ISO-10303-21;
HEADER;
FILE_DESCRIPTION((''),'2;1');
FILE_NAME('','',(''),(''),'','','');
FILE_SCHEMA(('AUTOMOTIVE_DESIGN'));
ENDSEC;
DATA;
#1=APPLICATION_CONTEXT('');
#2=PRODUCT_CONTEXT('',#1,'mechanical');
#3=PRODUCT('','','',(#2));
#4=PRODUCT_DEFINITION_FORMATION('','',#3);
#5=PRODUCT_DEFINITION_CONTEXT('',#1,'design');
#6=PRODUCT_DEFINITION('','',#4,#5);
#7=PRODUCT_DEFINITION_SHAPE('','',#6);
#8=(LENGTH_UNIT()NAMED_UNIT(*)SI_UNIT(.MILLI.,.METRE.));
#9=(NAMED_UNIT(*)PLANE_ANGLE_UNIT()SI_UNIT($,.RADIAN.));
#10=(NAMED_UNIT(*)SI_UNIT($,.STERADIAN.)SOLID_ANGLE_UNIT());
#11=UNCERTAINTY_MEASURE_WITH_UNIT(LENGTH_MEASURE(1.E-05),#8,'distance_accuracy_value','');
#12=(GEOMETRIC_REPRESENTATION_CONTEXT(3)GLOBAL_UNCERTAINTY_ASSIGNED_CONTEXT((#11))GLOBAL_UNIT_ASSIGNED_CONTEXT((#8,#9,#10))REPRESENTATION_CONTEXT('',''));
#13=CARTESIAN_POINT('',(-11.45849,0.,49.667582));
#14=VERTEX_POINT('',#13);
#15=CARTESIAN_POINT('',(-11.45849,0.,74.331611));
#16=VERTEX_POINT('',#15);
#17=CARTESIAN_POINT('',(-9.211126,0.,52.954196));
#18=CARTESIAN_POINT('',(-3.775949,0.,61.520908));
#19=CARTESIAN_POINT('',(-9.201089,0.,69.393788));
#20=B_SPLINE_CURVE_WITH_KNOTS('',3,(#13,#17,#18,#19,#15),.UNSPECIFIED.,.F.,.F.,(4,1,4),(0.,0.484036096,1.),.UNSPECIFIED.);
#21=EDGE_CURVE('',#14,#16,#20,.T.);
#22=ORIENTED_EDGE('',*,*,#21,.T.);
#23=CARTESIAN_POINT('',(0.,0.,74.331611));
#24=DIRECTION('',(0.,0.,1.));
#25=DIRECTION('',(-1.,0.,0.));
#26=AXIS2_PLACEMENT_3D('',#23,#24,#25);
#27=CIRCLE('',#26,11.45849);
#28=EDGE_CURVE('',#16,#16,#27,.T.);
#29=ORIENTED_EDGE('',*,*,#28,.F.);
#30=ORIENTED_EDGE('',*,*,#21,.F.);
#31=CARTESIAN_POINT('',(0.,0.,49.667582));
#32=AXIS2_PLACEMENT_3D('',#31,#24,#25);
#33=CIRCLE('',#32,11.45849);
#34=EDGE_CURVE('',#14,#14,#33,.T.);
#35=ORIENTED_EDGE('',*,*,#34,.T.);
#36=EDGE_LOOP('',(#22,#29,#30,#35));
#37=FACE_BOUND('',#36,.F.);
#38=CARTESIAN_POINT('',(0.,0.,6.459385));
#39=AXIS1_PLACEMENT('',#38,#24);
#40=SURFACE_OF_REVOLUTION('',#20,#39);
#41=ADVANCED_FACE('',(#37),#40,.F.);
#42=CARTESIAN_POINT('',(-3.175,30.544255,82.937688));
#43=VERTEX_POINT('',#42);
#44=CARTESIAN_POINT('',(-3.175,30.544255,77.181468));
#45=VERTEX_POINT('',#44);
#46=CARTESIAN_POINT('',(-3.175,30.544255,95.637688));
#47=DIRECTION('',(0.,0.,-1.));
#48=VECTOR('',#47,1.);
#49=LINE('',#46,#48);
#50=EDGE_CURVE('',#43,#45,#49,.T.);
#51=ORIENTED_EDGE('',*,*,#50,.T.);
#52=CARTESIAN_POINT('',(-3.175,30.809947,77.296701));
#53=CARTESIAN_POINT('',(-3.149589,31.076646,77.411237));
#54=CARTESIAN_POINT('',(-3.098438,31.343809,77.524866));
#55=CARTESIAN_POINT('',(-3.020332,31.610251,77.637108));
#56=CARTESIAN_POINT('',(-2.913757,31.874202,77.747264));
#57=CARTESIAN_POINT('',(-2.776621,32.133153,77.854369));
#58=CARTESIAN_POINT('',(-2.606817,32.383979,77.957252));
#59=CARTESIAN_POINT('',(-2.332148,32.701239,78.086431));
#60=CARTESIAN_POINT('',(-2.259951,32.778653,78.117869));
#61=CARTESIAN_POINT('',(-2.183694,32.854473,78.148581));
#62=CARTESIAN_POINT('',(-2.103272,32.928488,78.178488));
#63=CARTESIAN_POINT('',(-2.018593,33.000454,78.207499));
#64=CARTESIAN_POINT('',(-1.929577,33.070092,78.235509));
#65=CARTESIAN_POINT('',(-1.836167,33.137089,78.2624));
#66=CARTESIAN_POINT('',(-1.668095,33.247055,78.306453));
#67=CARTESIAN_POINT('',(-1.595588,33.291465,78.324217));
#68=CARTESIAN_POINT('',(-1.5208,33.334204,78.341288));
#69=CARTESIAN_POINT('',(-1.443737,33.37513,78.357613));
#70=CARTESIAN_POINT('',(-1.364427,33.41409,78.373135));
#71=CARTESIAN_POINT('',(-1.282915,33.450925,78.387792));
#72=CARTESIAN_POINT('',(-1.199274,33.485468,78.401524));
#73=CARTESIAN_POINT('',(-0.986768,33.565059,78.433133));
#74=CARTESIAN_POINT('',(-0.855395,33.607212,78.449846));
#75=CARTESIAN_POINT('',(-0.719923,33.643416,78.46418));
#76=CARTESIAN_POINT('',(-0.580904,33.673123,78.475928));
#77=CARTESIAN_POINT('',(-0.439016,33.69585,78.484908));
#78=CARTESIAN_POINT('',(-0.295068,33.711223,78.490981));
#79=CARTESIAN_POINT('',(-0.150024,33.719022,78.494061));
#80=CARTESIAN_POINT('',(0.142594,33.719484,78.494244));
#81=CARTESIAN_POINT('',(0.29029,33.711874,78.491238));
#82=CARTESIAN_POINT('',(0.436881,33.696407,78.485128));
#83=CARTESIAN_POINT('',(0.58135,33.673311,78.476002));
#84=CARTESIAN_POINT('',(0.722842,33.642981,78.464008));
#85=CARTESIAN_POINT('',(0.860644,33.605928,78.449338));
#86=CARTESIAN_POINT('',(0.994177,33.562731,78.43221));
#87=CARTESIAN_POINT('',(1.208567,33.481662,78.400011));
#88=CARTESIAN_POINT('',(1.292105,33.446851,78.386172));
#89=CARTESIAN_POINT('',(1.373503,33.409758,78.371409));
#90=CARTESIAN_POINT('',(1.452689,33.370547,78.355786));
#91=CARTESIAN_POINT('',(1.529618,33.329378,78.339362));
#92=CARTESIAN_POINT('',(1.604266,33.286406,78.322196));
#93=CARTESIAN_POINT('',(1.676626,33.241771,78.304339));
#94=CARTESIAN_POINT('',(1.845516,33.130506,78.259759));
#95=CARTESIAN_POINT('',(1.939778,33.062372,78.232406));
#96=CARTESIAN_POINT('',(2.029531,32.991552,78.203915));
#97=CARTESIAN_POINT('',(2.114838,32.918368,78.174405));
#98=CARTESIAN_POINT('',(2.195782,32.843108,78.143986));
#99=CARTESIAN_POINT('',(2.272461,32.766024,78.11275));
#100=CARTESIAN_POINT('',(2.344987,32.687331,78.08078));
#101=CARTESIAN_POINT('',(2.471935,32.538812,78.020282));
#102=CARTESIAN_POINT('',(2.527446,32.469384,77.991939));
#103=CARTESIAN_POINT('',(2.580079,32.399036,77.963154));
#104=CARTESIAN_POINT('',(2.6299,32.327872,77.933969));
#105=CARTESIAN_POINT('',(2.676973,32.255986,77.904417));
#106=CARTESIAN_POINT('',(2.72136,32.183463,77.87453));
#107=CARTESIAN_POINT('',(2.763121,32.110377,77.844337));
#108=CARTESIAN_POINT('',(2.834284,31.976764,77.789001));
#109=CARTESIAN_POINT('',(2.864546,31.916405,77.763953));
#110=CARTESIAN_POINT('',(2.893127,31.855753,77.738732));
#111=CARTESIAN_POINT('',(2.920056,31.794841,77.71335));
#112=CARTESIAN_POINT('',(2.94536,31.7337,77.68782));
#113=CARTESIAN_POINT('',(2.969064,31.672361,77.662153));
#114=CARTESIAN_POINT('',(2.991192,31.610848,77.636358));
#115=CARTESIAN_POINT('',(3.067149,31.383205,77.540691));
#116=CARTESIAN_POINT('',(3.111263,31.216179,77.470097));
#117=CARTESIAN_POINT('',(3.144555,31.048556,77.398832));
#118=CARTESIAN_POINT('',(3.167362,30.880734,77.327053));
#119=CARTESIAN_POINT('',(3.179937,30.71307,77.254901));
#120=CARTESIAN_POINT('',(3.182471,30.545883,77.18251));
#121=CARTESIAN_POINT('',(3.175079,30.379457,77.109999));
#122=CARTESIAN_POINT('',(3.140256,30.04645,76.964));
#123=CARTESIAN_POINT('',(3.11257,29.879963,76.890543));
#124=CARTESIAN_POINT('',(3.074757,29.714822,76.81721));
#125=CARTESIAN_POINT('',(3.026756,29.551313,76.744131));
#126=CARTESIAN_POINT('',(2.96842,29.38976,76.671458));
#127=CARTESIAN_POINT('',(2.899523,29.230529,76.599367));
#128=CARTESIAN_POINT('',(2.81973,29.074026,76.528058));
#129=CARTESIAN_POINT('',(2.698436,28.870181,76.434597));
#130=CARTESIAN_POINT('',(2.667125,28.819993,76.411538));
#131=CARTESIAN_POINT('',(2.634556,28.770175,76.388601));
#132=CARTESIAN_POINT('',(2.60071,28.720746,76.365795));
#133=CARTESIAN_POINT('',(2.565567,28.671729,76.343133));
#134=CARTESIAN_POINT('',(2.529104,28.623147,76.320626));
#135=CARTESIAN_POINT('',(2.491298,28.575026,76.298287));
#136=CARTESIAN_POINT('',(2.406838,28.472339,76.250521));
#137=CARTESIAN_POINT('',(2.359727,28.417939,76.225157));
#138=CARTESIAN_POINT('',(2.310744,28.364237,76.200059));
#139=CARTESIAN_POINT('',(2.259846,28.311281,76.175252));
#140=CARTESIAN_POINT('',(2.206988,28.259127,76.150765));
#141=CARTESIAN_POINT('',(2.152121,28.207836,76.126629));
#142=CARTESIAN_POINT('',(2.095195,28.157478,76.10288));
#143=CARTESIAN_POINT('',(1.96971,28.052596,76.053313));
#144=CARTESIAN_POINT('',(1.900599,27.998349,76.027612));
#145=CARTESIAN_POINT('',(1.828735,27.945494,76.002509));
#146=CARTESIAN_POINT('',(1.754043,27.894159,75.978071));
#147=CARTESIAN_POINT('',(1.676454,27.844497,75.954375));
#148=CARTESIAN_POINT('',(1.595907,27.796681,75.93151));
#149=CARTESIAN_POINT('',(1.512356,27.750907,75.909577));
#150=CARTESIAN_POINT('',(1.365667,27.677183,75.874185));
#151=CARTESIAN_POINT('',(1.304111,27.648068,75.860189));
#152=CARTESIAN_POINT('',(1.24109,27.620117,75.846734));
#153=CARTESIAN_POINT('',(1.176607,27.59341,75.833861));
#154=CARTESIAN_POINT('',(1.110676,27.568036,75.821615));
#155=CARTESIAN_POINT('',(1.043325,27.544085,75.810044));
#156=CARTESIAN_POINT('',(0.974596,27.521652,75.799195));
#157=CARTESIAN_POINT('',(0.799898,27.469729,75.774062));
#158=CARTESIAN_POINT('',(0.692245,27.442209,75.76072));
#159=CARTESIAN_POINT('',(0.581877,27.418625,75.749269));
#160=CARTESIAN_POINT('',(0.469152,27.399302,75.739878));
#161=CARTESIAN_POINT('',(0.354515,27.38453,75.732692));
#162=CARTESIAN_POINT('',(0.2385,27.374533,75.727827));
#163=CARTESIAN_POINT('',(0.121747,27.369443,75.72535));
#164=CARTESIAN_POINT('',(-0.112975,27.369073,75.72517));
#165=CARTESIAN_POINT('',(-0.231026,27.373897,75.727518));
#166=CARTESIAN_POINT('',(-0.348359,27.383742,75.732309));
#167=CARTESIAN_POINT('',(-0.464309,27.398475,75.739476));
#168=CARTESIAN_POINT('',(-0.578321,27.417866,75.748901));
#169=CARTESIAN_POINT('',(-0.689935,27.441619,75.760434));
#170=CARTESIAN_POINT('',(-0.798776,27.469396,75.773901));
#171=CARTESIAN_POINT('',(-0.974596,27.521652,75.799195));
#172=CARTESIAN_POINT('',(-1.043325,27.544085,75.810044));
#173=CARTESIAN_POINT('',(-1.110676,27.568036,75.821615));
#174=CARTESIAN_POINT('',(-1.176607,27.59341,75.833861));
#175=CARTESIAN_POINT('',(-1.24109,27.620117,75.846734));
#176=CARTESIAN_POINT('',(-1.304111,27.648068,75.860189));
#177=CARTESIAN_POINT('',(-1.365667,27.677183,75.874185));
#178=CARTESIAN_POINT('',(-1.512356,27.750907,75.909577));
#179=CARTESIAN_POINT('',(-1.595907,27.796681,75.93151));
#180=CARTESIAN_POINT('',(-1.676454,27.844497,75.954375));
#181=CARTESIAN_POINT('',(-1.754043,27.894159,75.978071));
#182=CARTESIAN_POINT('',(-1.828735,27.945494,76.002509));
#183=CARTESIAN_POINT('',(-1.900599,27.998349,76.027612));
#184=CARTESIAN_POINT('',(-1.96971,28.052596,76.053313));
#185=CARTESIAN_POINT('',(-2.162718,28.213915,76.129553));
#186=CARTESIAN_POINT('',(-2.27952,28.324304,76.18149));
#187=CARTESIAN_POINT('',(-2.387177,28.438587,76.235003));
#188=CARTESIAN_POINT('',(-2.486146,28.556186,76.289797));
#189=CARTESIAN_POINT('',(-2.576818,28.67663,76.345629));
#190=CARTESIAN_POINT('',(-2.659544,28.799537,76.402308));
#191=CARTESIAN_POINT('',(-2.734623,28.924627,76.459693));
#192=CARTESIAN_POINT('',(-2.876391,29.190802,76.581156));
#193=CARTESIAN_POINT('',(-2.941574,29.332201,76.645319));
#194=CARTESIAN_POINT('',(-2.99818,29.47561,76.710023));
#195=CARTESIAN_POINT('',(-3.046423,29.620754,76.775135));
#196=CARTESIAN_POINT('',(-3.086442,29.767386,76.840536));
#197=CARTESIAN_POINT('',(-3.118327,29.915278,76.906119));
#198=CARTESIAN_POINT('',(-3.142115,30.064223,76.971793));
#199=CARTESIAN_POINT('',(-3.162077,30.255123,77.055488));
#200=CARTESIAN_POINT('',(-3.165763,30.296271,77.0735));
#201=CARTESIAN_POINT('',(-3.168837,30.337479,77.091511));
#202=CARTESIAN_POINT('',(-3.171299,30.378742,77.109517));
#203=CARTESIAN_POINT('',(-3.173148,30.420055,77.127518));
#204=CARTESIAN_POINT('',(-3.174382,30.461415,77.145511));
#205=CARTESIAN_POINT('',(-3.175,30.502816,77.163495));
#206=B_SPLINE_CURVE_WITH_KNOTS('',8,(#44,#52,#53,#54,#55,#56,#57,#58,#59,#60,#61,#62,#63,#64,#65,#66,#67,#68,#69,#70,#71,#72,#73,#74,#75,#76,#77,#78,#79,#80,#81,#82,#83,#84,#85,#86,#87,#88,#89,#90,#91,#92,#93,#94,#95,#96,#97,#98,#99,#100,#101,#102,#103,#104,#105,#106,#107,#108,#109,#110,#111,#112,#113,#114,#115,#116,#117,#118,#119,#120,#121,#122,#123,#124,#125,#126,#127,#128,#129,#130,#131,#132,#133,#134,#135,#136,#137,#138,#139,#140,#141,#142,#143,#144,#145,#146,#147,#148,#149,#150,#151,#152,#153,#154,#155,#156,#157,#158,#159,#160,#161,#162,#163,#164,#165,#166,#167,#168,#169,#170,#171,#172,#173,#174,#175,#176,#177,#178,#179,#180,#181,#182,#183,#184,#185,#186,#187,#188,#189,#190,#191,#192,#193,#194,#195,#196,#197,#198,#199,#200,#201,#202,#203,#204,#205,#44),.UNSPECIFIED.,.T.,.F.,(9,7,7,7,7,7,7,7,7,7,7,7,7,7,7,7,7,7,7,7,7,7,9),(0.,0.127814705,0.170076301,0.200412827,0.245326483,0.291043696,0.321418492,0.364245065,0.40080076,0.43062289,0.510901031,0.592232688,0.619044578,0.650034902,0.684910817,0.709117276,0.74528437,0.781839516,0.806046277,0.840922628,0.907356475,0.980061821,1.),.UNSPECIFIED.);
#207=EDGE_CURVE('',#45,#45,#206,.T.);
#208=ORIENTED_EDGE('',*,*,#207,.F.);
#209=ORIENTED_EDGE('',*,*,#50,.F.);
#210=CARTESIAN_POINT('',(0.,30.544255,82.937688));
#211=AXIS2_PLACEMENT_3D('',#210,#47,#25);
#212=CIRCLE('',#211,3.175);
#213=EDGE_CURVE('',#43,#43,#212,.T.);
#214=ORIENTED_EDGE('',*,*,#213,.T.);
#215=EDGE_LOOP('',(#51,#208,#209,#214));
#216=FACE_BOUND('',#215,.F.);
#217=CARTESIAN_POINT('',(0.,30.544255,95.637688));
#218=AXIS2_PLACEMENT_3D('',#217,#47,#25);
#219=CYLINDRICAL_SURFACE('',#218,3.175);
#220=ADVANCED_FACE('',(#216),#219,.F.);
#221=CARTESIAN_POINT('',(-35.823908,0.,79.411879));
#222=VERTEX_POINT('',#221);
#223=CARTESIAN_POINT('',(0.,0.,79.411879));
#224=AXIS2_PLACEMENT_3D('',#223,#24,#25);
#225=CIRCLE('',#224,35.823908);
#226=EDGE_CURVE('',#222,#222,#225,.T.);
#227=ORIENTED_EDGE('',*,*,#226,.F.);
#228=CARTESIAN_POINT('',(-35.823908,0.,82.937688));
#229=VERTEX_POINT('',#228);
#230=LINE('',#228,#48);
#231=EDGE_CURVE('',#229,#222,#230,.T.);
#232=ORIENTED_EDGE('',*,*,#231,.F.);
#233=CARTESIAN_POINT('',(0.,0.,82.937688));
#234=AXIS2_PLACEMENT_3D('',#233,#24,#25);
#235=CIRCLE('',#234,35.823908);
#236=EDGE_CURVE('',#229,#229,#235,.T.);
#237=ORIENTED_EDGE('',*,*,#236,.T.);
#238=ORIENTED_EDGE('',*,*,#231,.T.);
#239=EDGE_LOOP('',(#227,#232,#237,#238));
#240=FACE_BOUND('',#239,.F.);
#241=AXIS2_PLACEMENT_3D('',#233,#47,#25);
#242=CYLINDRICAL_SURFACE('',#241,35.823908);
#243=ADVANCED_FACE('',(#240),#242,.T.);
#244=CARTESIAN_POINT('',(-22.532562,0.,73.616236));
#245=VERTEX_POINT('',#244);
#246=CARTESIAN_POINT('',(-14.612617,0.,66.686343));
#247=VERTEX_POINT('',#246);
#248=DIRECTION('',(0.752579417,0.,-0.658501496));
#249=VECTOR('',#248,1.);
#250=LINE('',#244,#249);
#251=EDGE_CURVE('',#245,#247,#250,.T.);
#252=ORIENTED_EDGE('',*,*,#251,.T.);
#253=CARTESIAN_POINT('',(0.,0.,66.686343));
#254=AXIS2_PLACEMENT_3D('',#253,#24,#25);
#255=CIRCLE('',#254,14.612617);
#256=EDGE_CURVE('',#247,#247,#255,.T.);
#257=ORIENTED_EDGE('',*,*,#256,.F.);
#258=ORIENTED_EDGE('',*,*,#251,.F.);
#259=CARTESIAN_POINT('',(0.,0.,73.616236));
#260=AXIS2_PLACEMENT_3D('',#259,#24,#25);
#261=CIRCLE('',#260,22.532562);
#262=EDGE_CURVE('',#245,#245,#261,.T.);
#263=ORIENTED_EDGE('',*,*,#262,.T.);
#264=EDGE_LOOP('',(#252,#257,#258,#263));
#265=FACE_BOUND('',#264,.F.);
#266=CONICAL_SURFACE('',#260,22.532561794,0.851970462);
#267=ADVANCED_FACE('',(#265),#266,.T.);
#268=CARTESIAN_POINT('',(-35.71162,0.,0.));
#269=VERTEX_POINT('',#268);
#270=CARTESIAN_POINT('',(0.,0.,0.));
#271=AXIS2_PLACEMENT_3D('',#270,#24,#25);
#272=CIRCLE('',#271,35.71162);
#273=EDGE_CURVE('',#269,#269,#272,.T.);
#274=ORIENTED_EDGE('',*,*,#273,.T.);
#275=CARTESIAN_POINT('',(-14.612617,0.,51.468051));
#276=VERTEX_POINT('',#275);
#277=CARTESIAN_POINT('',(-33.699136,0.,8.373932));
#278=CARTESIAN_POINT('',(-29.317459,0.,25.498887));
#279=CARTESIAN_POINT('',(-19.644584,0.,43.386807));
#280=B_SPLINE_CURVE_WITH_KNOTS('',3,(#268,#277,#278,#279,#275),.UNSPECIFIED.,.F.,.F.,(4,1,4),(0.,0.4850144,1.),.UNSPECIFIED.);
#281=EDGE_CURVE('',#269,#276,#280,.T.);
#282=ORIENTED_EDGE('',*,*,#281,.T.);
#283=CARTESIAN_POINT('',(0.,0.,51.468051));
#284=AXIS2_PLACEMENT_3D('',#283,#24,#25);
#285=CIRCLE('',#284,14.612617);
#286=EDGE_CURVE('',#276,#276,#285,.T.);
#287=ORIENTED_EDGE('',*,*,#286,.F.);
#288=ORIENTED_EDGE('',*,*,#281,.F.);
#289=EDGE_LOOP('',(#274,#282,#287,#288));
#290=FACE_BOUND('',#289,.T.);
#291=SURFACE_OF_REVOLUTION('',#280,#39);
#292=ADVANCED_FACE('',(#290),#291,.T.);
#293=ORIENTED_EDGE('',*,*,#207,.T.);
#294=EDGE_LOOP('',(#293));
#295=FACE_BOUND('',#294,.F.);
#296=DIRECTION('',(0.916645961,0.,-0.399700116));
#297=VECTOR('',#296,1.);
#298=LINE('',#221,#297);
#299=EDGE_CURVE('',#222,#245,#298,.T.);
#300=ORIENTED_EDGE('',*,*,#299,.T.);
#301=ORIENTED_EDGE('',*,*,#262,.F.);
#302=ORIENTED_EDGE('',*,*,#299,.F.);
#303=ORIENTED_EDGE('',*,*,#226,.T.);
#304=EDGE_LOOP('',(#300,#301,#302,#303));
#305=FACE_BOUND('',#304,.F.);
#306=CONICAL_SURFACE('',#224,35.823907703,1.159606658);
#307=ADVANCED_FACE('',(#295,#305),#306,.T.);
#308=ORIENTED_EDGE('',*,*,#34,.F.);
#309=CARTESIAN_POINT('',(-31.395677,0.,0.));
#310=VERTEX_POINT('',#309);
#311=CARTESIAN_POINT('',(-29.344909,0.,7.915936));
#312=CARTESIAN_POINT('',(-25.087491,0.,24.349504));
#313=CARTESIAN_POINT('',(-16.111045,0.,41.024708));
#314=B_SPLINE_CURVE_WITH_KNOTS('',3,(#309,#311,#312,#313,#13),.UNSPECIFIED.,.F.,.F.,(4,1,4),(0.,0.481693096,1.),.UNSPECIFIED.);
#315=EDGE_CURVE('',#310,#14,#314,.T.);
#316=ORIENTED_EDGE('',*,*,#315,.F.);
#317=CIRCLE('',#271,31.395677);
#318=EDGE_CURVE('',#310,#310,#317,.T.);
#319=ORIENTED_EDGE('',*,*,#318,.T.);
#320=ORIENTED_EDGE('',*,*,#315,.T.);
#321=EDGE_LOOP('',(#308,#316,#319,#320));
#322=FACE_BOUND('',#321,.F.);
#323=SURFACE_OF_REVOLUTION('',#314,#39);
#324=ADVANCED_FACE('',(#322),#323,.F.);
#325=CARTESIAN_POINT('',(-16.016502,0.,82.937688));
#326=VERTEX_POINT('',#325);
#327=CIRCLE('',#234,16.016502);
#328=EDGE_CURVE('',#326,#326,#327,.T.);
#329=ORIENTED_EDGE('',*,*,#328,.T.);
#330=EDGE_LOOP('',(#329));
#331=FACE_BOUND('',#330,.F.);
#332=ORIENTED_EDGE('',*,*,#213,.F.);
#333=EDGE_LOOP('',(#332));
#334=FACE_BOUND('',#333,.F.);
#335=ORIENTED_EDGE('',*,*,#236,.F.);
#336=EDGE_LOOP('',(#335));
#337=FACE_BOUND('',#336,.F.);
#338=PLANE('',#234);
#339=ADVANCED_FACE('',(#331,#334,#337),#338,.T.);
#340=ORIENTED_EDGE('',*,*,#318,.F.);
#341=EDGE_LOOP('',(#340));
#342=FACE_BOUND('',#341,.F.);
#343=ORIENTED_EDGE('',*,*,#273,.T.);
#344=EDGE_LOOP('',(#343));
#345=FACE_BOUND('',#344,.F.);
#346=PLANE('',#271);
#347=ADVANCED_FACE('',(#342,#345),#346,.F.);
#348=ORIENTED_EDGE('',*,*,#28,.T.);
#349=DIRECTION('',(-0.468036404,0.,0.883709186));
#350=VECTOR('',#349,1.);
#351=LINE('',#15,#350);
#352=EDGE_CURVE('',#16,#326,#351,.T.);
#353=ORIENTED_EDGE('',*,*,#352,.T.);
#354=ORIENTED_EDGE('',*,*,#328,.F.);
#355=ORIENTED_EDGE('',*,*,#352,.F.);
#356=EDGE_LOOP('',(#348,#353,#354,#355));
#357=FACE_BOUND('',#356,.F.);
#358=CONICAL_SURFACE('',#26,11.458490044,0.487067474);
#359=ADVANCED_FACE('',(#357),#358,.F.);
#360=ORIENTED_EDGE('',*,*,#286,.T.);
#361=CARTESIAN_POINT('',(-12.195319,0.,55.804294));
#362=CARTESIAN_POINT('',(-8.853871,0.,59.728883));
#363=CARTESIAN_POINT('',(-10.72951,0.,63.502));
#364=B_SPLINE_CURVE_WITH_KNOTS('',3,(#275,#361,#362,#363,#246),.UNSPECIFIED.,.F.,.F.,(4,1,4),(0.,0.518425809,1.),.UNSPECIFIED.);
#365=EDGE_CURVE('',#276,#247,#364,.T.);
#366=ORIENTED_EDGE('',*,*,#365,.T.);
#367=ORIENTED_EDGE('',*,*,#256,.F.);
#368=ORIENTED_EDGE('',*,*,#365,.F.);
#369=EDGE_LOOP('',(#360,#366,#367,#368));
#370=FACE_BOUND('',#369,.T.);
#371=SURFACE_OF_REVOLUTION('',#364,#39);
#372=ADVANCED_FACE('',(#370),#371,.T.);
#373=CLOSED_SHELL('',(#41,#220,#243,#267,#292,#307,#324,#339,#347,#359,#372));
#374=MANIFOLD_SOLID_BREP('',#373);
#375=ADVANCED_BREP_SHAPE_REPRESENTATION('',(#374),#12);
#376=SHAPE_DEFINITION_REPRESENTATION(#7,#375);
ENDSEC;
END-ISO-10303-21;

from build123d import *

# Parameters (mm, degrees)
F4_D     = 6.35
F4_DEPTH = 12.7
F4_TIP   = 1.9077324654


with BuildPart() as f1:
    # F0 (on Front) → F1 (revolve)
    with BuildSketch(Plane.XZ):
        with BuildLine():
            add(Edge.make_bspline(
                [(-35.711620003, 0), (-33.6991355754, 8.3739323563), (-29.3174594603, 25.4988872735), (-19.6445835619, 43.3868067126), (-14.6126173957, 51.4680505725)],
                knots=[0, 0, 0, 0, 0.4850144004, 1, 1, 1, 1], degree=3))
            Line((-35.711620003, 0), (-31.3956774771, 0))
            add(Edge.make_bspline(
                [(-31.3956774771, 0), (-29.3449089655, 7.9159356711), (-25.0874906142, 24.3495041979), (-16.1110445435, 41.0247078901), (-11.4584900439, 49.6675819159)],
                knots=[0, 0, 0, 0, 0.4816930958, 1, 1, 1, 1], degree=3))
            add(Edge.make_bspline(
                [(-11.4584900439, 49.6675819159), (-9.2111257589, 52.9541958774), (-3.7759486318, 61.5209078018), (-9.2010886072, 69.393788099), (-11.4584900439, 74.3316113949)],
                knots=[0, 0, 0, 0, 0.4840360956, 1, 1, 1, 1], degree=3))
            Line((-11.4584900439, 74.3316113949), (-16.0165019333, 82.9376876354))
            Line((-16.0165019333, 82.9376876354), (-35.8239077032, 82.9376876354))
            Line((-35.8239077032, 82.9376876354), (-35.8239077032, 79.4118791819))
            Line((-35.8239077032, 79.4118791819), (-22.5325617939, 73.6162364483))
            Line((-22.5325617939, 73.6162364483), (-14.6126173957, 66.6863429164))
            add(Edge.make_bspline(
                [(-14.6126173957, 51.4680505725), (-12.1953186939, 55.8042941924), (-8.853870956, 59.7288834218), (-10.7295096303, 63.5019995765), (-14.6126173957, 66.6863429164)],
                knots=[0, 0, 0, 0, 0.5184258095, 1, 1, 1, 1], degree=3))
        make_face()
    revolve(axis=Axis((0, 0, 6.4593851566), (0, 0, 1)))

    # F4
    with Locations(Plane.XY.offset(82.9376876354)):
        with Locations((0, 30.5442549288)):
            Hole(F4_D / 2, depth=F4_DEPTH)
            with Locations((0, 0, -(F4_DEPTH + F4_TIP / 2))):  # 118° drill point
                Cone(0, F4_D / 2, F4_TIP, mode=Mode.SUBTRACT)


solid = f1.part
